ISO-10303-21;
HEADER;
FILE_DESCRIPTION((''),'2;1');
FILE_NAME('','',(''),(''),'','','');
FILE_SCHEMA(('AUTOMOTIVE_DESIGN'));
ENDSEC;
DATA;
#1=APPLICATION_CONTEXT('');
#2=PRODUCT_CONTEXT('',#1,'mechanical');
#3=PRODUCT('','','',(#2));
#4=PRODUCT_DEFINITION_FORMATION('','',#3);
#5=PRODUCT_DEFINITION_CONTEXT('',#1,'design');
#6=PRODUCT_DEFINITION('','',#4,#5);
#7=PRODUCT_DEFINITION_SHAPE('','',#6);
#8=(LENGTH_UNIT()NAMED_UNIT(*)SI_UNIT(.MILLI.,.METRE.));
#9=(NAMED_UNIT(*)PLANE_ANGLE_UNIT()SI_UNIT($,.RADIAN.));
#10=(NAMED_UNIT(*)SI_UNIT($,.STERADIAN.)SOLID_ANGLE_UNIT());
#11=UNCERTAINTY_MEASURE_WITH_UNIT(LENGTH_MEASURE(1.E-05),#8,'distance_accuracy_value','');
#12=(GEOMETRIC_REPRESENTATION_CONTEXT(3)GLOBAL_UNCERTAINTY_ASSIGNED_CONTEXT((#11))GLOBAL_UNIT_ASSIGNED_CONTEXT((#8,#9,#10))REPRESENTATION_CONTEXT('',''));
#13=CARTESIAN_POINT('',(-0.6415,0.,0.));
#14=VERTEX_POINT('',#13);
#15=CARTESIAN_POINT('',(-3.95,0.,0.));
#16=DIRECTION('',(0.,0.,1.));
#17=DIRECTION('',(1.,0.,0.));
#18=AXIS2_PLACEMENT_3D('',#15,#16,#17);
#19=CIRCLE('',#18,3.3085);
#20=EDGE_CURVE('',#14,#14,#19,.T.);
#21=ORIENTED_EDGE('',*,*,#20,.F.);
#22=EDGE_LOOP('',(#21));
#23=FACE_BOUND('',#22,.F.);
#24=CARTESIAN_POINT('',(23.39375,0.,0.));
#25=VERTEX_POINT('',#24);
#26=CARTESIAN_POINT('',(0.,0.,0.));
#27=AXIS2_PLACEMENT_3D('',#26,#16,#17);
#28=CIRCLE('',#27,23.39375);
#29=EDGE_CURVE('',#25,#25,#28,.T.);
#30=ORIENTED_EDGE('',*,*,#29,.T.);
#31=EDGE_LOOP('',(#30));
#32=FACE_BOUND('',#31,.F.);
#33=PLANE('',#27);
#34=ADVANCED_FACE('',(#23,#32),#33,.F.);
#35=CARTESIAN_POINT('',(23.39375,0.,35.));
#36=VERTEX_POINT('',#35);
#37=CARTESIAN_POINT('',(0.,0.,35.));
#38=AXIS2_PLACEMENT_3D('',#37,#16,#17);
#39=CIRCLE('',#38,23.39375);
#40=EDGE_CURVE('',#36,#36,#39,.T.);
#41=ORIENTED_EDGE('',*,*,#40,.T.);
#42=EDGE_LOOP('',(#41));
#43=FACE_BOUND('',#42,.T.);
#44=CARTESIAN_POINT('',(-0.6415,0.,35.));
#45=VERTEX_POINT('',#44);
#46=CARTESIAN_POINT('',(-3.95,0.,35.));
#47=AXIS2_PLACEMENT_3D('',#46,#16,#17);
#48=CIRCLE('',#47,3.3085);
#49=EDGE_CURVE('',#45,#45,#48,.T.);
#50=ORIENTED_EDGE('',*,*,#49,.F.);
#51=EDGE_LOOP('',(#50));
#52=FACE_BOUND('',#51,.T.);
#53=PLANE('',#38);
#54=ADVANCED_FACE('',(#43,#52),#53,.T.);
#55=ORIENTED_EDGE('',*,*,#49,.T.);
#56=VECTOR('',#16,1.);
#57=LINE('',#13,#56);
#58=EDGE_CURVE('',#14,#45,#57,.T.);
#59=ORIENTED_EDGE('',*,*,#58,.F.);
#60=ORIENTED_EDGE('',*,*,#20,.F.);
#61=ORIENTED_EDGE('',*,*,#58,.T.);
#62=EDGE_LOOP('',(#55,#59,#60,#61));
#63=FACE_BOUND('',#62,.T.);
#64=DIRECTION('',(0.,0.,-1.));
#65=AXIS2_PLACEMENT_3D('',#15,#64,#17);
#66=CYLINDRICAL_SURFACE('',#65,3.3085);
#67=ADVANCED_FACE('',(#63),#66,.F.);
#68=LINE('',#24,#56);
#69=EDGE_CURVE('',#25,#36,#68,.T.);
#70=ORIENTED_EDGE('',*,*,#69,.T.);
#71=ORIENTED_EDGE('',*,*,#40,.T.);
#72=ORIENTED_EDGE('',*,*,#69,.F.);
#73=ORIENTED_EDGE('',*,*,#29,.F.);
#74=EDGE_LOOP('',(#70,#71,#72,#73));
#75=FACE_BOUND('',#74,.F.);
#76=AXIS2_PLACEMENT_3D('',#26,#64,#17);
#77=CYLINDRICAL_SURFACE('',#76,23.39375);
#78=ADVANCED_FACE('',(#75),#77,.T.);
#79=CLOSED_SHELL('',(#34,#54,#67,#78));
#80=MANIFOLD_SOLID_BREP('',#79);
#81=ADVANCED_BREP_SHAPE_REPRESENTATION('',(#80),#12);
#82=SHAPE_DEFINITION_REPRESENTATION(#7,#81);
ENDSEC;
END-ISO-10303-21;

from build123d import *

# Parameters (mm, degrees)
SKETCH11_R           = 23.39375
SKETCH11_R_2         = 3.3085
BOSS_EXTRUDE13_DEPTH = 35


with BuildPart() as part:
    # Sketch11 → Boss-Extrude13 (new body)
    with BuildSketch(Plane.XY):
        Circle(SKETCH11_R)
        with Locations((-3.95, 0)):
            Circle(SKETCH11_R_2, mode=Mode.SUBTRACT)
    extrude(amount=BOSS_EXTRUDE13_DEPTH)


solid = part.part
